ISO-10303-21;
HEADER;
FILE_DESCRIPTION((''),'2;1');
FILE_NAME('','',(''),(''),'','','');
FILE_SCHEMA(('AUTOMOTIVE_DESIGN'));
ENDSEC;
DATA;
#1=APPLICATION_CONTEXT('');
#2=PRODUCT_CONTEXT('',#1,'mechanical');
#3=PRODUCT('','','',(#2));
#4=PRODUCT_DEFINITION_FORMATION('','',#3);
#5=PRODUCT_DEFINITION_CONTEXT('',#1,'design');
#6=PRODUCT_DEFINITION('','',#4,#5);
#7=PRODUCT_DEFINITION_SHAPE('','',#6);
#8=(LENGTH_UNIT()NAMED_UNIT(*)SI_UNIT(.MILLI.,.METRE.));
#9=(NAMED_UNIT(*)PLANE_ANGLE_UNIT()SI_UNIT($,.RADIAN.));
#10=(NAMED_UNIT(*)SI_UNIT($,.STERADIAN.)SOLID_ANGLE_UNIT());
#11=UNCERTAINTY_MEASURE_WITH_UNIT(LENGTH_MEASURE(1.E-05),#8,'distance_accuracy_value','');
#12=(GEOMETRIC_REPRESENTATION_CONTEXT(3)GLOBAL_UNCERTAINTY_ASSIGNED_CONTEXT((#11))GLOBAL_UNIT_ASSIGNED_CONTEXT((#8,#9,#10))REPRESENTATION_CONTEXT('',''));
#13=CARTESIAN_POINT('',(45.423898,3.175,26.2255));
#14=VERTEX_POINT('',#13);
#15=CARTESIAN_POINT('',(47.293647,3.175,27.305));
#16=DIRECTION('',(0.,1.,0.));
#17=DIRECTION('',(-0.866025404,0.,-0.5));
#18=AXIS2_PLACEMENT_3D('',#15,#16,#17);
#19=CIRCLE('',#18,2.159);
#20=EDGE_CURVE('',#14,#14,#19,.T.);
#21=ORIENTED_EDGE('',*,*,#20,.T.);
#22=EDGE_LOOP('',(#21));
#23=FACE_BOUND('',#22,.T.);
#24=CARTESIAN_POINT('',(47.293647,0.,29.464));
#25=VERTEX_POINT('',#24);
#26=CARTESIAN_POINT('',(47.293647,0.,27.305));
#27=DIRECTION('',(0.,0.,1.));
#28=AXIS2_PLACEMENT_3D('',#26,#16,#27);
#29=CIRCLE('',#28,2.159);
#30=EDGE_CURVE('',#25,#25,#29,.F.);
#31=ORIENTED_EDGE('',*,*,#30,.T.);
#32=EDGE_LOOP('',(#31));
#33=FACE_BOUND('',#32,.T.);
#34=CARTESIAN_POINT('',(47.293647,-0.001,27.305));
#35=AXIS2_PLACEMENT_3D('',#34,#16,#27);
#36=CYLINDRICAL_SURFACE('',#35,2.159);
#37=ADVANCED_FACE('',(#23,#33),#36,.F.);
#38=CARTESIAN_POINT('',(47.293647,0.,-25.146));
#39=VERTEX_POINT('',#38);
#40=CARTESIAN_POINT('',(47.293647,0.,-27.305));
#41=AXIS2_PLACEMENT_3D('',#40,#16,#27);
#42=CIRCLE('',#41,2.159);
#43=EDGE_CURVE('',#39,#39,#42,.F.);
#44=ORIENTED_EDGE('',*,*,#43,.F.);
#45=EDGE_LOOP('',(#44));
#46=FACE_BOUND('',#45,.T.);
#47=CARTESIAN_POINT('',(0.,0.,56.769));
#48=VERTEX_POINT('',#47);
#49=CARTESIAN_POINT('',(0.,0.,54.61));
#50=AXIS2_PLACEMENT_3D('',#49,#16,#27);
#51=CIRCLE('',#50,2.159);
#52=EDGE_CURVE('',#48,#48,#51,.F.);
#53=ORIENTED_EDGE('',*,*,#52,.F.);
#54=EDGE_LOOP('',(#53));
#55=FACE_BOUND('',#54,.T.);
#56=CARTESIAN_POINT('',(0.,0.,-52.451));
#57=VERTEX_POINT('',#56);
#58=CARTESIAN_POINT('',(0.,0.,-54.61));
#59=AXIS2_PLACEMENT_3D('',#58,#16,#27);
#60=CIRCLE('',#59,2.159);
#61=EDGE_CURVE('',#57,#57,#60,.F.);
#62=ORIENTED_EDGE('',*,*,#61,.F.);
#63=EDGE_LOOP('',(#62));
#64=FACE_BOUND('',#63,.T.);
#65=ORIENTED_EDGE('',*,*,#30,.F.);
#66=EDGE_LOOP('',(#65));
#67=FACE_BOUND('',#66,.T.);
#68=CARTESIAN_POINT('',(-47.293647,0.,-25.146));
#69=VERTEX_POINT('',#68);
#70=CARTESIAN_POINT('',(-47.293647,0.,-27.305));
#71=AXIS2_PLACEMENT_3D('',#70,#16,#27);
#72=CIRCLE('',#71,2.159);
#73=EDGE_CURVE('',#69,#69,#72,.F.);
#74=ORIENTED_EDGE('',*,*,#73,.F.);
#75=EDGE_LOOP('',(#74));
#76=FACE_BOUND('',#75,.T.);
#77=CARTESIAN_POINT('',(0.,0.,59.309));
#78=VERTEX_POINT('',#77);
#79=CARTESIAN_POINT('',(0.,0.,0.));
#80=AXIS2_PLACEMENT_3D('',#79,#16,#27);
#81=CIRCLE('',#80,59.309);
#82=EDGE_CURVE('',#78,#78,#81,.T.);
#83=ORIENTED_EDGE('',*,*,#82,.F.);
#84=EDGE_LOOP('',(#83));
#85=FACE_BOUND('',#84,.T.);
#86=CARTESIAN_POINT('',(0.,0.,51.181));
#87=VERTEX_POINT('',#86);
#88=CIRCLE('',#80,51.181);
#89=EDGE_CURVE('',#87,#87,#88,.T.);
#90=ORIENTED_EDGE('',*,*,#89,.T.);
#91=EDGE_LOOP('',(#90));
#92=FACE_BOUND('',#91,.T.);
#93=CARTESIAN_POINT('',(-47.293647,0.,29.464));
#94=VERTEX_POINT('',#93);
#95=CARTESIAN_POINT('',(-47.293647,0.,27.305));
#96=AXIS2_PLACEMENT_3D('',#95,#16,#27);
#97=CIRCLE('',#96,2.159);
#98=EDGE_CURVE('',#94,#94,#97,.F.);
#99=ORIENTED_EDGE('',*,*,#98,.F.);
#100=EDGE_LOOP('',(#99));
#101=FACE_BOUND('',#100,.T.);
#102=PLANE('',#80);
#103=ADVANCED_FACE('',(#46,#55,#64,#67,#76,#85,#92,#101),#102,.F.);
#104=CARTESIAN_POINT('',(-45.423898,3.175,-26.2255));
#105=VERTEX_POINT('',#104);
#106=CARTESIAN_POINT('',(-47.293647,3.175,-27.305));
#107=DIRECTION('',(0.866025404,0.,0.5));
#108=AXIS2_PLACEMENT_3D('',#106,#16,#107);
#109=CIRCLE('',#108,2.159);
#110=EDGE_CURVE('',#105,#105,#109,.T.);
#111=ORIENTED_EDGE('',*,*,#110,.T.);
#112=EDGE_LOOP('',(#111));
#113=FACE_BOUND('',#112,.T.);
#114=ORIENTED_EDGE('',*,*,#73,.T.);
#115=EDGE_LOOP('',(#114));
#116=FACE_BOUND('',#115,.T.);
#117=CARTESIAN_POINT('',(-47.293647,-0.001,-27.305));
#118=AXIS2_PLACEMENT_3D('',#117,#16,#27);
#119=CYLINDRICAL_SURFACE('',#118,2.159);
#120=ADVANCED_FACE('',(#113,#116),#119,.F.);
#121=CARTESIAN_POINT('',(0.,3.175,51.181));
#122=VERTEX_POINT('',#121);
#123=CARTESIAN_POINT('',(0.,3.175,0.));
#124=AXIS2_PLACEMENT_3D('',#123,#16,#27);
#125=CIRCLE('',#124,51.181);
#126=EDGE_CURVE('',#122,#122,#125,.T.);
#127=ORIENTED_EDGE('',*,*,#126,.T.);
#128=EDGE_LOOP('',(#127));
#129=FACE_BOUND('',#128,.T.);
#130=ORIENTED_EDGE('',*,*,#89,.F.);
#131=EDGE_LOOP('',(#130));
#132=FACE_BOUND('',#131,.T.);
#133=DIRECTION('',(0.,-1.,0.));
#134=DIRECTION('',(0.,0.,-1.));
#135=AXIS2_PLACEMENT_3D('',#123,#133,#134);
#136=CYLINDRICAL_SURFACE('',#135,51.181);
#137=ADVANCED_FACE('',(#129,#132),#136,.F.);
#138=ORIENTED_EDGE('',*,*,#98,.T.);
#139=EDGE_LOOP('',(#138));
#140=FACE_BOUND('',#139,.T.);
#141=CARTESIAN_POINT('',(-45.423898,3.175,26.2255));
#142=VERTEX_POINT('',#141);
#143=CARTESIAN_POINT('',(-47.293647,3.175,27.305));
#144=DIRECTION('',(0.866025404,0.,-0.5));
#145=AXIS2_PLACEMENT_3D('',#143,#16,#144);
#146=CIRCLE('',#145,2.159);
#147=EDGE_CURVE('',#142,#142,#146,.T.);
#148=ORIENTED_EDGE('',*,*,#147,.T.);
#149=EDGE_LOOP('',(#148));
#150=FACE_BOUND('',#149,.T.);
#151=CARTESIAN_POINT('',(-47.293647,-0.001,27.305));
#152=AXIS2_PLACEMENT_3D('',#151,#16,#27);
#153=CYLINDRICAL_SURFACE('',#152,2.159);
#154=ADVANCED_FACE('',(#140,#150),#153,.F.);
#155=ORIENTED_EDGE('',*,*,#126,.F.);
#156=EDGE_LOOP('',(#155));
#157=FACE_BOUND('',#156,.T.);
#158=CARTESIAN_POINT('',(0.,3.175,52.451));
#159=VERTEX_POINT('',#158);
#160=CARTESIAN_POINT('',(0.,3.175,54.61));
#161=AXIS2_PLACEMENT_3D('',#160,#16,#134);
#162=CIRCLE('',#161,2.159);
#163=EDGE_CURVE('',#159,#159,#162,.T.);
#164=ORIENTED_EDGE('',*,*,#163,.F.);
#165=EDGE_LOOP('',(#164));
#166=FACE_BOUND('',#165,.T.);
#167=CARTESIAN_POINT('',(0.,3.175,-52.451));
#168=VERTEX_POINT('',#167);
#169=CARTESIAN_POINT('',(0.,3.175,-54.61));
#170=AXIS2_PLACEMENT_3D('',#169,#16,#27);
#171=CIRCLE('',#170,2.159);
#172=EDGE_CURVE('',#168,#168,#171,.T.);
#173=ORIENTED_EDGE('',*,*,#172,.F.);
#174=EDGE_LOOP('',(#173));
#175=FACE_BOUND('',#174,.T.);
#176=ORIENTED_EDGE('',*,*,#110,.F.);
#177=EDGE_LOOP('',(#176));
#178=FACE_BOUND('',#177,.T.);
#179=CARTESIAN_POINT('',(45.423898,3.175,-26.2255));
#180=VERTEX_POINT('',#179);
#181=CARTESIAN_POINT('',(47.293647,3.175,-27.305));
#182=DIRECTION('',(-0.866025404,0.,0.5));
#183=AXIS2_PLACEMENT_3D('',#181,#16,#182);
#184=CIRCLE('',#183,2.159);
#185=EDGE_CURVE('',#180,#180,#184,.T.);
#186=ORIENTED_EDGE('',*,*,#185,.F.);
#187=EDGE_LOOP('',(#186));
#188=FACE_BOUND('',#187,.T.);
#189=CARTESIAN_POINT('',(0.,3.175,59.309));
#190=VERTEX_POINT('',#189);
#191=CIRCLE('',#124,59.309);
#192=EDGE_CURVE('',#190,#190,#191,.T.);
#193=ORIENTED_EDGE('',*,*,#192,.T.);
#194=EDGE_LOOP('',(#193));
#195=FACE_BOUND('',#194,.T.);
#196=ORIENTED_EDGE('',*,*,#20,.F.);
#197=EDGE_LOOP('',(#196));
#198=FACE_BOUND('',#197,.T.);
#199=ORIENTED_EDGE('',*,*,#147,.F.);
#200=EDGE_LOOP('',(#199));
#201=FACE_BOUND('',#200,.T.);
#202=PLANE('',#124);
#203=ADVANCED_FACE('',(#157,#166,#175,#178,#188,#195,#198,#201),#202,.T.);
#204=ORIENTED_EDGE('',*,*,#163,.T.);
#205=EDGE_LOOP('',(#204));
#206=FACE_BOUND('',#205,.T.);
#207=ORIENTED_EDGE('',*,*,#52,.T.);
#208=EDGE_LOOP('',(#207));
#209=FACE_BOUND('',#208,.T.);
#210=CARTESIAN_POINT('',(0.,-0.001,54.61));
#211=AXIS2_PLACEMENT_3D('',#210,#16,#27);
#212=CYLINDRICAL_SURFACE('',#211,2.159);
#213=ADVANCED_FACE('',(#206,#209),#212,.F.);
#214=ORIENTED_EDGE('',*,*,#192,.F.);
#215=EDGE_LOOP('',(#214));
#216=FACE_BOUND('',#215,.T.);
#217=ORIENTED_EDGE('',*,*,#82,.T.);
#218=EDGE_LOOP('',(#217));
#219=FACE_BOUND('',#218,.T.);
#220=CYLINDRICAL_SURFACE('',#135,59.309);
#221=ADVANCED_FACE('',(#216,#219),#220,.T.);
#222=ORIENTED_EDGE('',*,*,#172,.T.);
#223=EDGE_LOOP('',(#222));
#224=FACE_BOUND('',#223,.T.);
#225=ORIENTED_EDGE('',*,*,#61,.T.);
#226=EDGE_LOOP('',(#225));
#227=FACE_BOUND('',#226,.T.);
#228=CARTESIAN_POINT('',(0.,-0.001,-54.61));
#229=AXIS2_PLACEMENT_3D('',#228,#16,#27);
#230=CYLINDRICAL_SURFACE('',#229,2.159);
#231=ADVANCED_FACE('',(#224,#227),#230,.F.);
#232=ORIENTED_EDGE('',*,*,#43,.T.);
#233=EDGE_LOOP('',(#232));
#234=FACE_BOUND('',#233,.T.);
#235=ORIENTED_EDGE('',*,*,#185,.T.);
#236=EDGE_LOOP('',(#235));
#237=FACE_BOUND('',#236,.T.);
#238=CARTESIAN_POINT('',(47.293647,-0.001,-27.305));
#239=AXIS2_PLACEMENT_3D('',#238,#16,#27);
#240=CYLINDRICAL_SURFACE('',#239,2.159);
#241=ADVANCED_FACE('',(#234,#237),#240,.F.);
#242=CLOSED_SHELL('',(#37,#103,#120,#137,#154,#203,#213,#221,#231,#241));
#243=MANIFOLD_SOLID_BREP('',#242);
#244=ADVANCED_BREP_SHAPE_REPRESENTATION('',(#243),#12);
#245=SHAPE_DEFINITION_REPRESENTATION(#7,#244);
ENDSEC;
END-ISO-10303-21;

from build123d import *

# Parameters (mm, degrees)
SKETCH1_R           = 59.309
SKETCH1_R_2         = 51.181
BOSS_EXTRUDE1_DEPTH = 3.175
SKETCH2_R           = 2.159
CUT_EXTRUDE1_DEPTH  = 3.175
CIRPATTERN1_COUNT   = 6


with BuildPart() as part:
    # Sketch1 → Boss-Extrude1 (new body)
    with BuildSketch(Plane(origin=(0, 0, 0), x_dir=(1, 0, 0), z_dir=(0, 1, 0))):
        Circle(SKETCH1_R)
        Circle(SKETCH1_R_2, mode=Mode.SUBTRACT)
    extrude(amount=BOSS_EXTRUDE1_DEPTH)

    # Sketch2 → Cut-Extrude1 (cut)
    with BuildSketch(Plane(origin=(0, 3.175, 0), x_dir=(1, 0, 0), z_dir=(0, 1, 0))):
        with Locations((0, 54.61)):
            Circle(SKETCH2_R)
    cut_extrude1 = extrude(amount=-CUT_EXTRUDE1_DEPTH, mode=Mode.SUBTRACT)

    # CirPattern1: Cut-Extrude1 ×6 about axis
    cirpattern1_axis = Axis((0, 0, 0), (0, 1, 0))
    for i in range(1, CIRPATTERN1_COUNT):
        add(cut_extrude1.rotate(cirpattern1_axis, i * 360 / CIRPATTERN1_COUNT), mode=Mode.SUBTRACT)


solid = part.part
